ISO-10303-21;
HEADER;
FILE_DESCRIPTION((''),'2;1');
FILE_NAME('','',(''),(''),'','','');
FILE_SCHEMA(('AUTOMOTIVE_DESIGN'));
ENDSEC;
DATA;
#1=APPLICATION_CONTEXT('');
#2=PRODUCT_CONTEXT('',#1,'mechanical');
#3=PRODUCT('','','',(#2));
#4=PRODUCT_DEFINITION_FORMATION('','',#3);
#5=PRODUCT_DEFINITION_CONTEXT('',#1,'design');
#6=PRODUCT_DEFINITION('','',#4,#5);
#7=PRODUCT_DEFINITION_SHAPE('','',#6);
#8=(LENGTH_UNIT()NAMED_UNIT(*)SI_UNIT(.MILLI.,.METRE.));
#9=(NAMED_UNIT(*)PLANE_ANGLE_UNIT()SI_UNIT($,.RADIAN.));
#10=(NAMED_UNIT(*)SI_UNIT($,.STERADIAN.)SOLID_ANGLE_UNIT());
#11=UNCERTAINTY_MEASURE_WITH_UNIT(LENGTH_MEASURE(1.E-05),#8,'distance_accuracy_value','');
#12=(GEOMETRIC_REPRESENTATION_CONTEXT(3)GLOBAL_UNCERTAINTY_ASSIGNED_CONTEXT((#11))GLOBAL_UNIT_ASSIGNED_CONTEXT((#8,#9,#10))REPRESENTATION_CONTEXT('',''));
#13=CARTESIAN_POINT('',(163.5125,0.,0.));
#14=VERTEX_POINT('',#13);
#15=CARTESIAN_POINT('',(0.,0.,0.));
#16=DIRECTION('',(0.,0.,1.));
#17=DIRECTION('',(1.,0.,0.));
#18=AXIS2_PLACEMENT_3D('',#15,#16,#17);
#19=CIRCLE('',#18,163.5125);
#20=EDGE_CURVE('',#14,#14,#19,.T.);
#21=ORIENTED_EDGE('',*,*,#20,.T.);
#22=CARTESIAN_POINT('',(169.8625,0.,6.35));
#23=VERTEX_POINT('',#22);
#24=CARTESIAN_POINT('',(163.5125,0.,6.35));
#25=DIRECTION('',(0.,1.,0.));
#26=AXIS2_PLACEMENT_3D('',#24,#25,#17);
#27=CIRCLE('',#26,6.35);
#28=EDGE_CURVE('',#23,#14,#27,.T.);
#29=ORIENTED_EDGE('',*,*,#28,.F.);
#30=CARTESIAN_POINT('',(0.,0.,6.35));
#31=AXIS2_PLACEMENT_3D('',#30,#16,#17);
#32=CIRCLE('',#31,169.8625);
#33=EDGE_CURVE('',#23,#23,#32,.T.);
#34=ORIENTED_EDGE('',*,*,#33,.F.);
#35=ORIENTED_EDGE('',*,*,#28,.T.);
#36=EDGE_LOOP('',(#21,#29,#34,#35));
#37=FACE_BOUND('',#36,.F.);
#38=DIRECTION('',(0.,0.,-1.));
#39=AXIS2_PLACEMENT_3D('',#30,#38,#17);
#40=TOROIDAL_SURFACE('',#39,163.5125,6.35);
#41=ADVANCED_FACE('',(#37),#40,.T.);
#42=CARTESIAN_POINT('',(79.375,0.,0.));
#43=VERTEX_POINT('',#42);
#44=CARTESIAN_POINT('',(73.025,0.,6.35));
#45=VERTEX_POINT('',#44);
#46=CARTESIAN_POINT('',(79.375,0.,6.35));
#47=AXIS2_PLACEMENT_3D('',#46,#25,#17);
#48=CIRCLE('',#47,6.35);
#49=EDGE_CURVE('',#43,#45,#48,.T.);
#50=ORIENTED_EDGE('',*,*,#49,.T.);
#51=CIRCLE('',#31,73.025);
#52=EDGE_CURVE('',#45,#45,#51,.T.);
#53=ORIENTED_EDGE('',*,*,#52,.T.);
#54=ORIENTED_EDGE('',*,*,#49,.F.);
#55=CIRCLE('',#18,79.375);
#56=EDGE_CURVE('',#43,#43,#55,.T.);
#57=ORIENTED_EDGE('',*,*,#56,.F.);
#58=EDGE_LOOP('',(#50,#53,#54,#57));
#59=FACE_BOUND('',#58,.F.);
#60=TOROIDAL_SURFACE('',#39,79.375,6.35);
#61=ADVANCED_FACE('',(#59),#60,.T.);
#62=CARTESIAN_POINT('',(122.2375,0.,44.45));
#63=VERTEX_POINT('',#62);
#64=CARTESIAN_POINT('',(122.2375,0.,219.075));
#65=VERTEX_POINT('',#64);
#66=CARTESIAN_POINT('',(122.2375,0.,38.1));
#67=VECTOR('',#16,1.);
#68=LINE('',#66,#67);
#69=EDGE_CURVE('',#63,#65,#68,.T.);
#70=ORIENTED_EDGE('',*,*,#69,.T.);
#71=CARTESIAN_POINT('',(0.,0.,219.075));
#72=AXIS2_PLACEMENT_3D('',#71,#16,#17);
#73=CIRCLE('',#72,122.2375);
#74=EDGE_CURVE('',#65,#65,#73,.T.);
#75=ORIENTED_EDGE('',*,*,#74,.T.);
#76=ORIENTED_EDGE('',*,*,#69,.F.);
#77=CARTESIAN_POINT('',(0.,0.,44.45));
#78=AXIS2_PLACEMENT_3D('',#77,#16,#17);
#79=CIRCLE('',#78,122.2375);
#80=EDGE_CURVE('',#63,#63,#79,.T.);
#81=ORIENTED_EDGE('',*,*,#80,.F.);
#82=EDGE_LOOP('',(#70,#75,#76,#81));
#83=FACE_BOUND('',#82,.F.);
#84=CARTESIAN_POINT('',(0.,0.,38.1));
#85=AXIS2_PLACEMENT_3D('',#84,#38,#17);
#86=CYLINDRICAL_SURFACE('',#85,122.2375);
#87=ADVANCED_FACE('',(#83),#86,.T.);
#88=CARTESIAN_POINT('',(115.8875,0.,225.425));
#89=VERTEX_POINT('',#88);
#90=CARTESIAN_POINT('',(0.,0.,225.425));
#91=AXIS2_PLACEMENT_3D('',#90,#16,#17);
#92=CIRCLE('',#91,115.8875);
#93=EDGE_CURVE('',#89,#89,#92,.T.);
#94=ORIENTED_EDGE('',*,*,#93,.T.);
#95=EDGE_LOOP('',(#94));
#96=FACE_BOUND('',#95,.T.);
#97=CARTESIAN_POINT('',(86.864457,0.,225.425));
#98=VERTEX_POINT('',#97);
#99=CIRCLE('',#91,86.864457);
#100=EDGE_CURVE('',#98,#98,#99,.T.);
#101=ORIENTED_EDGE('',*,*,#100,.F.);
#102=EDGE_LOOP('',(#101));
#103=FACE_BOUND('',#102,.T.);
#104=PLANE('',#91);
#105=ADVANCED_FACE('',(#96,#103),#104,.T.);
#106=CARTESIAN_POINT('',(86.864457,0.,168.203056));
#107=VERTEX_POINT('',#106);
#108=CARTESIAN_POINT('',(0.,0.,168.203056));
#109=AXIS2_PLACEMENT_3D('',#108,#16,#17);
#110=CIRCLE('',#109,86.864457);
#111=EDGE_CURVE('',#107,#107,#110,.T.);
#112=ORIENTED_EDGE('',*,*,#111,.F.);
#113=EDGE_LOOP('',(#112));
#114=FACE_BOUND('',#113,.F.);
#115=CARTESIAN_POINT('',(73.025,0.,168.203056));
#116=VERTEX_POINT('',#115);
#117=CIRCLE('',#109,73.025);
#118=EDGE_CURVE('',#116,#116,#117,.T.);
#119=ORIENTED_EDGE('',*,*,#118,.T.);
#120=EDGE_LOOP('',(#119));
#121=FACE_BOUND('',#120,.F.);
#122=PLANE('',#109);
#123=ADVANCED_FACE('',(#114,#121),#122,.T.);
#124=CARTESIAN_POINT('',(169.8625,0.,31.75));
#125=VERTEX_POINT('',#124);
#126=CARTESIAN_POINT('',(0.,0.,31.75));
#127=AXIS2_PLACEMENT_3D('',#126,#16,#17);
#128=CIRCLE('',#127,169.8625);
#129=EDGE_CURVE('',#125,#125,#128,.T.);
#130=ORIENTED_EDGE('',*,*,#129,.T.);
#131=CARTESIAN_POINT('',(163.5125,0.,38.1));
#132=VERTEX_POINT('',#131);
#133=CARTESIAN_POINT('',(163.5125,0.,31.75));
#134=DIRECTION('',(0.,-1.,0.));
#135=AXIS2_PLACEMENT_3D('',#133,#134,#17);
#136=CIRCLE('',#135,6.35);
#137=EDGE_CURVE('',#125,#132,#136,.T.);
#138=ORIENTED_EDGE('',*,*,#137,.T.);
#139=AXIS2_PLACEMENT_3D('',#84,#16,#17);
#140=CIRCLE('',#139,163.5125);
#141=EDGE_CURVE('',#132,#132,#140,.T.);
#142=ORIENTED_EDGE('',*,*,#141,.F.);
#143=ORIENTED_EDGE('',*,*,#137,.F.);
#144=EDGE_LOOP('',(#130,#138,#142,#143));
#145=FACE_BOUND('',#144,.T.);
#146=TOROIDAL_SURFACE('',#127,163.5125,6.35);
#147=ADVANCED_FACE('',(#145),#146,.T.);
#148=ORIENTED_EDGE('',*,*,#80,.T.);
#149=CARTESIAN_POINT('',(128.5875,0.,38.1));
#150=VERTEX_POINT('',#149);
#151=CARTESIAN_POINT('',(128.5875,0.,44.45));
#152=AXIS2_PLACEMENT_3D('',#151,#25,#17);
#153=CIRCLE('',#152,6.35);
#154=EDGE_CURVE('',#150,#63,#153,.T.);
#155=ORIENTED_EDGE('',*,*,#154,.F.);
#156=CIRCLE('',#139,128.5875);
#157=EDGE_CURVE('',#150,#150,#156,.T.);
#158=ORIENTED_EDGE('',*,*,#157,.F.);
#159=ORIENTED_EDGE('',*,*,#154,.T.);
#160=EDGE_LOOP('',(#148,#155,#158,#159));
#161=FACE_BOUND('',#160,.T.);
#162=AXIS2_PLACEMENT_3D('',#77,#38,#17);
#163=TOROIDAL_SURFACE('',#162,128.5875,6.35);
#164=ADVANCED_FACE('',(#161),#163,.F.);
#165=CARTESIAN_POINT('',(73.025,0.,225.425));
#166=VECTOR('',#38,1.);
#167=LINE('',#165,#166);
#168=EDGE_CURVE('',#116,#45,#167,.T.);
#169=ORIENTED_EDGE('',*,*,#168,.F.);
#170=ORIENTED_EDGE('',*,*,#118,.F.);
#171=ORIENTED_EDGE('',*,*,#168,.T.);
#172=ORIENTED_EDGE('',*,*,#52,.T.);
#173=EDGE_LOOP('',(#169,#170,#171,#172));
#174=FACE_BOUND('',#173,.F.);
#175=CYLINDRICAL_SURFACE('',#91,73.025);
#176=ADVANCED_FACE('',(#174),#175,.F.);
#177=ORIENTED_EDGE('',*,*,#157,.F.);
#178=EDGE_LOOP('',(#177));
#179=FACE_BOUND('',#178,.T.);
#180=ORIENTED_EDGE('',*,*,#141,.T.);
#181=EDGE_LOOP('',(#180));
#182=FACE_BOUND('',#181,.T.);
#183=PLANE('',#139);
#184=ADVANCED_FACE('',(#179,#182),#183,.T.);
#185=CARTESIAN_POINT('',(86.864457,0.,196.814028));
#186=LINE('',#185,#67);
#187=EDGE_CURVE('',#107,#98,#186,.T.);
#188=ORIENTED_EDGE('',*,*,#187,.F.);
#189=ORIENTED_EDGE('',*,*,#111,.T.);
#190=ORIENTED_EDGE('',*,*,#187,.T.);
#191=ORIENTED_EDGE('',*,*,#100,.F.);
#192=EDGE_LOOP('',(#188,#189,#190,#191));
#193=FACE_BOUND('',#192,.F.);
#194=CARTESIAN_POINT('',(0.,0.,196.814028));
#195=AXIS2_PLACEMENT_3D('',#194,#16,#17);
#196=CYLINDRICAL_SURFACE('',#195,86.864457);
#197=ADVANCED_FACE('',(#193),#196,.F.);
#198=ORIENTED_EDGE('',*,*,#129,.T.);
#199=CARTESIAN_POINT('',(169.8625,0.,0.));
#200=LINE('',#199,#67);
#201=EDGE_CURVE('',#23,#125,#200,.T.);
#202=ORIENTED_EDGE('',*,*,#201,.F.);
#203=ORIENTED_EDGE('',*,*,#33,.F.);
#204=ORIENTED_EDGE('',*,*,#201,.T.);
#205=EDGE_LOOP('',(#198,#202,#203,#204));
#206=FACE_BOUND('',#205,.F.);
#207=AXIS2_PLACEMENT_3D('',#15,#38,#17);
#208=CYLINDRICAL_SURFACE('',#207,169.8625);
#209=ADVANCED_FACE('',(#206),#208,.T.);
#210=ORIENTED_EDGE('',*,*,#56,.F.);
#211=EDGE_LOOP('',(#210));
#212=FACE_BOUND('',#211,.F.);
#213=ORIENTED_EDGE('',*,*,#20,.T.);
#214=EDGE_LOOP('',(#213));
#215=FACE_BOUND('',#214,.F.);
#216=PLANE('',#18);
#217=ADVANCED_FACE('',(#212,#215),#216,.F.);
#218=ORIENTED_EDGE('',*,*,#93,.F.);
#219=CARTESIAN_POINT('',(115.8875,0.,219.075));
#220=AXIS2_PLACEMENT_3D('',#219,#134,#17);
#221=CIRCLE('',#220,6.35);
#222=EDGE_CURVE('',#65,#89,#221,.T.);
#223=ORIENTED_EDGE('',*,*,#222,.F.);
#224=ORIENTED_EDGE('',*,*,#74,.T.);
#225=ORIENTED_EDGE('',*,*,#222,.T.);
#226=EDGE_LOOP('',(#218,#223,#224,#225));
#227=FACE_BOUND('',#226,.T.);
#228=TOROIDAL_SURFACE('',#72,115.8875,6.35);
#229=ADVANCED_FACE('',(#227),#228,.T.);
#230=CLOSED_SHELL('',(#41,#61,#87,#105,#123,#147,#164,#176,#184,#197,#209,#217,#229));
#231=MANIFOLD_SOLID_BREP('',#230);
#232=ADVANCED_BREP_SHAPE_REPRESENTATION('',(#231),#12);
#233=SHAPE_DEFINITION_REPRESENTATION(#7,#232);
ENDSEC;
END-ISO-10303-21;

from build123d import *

# Parameters (mm, degrees)
F0_R     = 169.8625
F1_DEPTH = 38.1
F2_R     = 122.2375
F3_DEPTH = 187.325
F4_R     = 73.025
F5_DEPTH = 225.426
F6_R     = 6.35
F7_W     = 13.839457
F7_H     = 57.221944


with BuildPart() as f1:
    # F0 (on Top) → F1 (new body)
    with BuildSketch(Plane.XY):
        Circle(F0_R)
    extrude(amount=F1_DEPTH)

    # F2 (on face) → F3 (join)
    with BuildSketch(Plane.XY.offset(38.1)):
        Circle(F2_R)
    extrude(amount=F3_DEPTH)

    # F4 (on face) → F5 (cut, through all)
    with BuildSketch(Plane.XY.offset(225.425)):
        Circle(F4_R)
    extrude(amount=-F5_DEPTH, mode=Mode.SUBTRACT)

    # F6
    f6_edges = [f1.edges().sort_by_distance(p)[0] for p in [
        (-122.2375, 0, 225.425),
        (-73.025, 0, 225.425),
        (-122.2375, 0, 38.1),
        (-169.8625, 0, 38.1),
        (-169.8625, 0, 0),
        (-73.025, 0, 0),
    ]]
    fillet(f6_edges, radius=F6_R)

    # F7 (on Front) → F8 (revolve, cut)
    with BuildSketch(Plane.XZ):
        with Locations((79.944728, 196.814028)):
            Rectangle(F7_W, F7_H)
    revolve(axis=Axis((0, 0, 147.779986), (0, 0, 1)), mode=Mode.SUBTRACT)


solid = f1.part
